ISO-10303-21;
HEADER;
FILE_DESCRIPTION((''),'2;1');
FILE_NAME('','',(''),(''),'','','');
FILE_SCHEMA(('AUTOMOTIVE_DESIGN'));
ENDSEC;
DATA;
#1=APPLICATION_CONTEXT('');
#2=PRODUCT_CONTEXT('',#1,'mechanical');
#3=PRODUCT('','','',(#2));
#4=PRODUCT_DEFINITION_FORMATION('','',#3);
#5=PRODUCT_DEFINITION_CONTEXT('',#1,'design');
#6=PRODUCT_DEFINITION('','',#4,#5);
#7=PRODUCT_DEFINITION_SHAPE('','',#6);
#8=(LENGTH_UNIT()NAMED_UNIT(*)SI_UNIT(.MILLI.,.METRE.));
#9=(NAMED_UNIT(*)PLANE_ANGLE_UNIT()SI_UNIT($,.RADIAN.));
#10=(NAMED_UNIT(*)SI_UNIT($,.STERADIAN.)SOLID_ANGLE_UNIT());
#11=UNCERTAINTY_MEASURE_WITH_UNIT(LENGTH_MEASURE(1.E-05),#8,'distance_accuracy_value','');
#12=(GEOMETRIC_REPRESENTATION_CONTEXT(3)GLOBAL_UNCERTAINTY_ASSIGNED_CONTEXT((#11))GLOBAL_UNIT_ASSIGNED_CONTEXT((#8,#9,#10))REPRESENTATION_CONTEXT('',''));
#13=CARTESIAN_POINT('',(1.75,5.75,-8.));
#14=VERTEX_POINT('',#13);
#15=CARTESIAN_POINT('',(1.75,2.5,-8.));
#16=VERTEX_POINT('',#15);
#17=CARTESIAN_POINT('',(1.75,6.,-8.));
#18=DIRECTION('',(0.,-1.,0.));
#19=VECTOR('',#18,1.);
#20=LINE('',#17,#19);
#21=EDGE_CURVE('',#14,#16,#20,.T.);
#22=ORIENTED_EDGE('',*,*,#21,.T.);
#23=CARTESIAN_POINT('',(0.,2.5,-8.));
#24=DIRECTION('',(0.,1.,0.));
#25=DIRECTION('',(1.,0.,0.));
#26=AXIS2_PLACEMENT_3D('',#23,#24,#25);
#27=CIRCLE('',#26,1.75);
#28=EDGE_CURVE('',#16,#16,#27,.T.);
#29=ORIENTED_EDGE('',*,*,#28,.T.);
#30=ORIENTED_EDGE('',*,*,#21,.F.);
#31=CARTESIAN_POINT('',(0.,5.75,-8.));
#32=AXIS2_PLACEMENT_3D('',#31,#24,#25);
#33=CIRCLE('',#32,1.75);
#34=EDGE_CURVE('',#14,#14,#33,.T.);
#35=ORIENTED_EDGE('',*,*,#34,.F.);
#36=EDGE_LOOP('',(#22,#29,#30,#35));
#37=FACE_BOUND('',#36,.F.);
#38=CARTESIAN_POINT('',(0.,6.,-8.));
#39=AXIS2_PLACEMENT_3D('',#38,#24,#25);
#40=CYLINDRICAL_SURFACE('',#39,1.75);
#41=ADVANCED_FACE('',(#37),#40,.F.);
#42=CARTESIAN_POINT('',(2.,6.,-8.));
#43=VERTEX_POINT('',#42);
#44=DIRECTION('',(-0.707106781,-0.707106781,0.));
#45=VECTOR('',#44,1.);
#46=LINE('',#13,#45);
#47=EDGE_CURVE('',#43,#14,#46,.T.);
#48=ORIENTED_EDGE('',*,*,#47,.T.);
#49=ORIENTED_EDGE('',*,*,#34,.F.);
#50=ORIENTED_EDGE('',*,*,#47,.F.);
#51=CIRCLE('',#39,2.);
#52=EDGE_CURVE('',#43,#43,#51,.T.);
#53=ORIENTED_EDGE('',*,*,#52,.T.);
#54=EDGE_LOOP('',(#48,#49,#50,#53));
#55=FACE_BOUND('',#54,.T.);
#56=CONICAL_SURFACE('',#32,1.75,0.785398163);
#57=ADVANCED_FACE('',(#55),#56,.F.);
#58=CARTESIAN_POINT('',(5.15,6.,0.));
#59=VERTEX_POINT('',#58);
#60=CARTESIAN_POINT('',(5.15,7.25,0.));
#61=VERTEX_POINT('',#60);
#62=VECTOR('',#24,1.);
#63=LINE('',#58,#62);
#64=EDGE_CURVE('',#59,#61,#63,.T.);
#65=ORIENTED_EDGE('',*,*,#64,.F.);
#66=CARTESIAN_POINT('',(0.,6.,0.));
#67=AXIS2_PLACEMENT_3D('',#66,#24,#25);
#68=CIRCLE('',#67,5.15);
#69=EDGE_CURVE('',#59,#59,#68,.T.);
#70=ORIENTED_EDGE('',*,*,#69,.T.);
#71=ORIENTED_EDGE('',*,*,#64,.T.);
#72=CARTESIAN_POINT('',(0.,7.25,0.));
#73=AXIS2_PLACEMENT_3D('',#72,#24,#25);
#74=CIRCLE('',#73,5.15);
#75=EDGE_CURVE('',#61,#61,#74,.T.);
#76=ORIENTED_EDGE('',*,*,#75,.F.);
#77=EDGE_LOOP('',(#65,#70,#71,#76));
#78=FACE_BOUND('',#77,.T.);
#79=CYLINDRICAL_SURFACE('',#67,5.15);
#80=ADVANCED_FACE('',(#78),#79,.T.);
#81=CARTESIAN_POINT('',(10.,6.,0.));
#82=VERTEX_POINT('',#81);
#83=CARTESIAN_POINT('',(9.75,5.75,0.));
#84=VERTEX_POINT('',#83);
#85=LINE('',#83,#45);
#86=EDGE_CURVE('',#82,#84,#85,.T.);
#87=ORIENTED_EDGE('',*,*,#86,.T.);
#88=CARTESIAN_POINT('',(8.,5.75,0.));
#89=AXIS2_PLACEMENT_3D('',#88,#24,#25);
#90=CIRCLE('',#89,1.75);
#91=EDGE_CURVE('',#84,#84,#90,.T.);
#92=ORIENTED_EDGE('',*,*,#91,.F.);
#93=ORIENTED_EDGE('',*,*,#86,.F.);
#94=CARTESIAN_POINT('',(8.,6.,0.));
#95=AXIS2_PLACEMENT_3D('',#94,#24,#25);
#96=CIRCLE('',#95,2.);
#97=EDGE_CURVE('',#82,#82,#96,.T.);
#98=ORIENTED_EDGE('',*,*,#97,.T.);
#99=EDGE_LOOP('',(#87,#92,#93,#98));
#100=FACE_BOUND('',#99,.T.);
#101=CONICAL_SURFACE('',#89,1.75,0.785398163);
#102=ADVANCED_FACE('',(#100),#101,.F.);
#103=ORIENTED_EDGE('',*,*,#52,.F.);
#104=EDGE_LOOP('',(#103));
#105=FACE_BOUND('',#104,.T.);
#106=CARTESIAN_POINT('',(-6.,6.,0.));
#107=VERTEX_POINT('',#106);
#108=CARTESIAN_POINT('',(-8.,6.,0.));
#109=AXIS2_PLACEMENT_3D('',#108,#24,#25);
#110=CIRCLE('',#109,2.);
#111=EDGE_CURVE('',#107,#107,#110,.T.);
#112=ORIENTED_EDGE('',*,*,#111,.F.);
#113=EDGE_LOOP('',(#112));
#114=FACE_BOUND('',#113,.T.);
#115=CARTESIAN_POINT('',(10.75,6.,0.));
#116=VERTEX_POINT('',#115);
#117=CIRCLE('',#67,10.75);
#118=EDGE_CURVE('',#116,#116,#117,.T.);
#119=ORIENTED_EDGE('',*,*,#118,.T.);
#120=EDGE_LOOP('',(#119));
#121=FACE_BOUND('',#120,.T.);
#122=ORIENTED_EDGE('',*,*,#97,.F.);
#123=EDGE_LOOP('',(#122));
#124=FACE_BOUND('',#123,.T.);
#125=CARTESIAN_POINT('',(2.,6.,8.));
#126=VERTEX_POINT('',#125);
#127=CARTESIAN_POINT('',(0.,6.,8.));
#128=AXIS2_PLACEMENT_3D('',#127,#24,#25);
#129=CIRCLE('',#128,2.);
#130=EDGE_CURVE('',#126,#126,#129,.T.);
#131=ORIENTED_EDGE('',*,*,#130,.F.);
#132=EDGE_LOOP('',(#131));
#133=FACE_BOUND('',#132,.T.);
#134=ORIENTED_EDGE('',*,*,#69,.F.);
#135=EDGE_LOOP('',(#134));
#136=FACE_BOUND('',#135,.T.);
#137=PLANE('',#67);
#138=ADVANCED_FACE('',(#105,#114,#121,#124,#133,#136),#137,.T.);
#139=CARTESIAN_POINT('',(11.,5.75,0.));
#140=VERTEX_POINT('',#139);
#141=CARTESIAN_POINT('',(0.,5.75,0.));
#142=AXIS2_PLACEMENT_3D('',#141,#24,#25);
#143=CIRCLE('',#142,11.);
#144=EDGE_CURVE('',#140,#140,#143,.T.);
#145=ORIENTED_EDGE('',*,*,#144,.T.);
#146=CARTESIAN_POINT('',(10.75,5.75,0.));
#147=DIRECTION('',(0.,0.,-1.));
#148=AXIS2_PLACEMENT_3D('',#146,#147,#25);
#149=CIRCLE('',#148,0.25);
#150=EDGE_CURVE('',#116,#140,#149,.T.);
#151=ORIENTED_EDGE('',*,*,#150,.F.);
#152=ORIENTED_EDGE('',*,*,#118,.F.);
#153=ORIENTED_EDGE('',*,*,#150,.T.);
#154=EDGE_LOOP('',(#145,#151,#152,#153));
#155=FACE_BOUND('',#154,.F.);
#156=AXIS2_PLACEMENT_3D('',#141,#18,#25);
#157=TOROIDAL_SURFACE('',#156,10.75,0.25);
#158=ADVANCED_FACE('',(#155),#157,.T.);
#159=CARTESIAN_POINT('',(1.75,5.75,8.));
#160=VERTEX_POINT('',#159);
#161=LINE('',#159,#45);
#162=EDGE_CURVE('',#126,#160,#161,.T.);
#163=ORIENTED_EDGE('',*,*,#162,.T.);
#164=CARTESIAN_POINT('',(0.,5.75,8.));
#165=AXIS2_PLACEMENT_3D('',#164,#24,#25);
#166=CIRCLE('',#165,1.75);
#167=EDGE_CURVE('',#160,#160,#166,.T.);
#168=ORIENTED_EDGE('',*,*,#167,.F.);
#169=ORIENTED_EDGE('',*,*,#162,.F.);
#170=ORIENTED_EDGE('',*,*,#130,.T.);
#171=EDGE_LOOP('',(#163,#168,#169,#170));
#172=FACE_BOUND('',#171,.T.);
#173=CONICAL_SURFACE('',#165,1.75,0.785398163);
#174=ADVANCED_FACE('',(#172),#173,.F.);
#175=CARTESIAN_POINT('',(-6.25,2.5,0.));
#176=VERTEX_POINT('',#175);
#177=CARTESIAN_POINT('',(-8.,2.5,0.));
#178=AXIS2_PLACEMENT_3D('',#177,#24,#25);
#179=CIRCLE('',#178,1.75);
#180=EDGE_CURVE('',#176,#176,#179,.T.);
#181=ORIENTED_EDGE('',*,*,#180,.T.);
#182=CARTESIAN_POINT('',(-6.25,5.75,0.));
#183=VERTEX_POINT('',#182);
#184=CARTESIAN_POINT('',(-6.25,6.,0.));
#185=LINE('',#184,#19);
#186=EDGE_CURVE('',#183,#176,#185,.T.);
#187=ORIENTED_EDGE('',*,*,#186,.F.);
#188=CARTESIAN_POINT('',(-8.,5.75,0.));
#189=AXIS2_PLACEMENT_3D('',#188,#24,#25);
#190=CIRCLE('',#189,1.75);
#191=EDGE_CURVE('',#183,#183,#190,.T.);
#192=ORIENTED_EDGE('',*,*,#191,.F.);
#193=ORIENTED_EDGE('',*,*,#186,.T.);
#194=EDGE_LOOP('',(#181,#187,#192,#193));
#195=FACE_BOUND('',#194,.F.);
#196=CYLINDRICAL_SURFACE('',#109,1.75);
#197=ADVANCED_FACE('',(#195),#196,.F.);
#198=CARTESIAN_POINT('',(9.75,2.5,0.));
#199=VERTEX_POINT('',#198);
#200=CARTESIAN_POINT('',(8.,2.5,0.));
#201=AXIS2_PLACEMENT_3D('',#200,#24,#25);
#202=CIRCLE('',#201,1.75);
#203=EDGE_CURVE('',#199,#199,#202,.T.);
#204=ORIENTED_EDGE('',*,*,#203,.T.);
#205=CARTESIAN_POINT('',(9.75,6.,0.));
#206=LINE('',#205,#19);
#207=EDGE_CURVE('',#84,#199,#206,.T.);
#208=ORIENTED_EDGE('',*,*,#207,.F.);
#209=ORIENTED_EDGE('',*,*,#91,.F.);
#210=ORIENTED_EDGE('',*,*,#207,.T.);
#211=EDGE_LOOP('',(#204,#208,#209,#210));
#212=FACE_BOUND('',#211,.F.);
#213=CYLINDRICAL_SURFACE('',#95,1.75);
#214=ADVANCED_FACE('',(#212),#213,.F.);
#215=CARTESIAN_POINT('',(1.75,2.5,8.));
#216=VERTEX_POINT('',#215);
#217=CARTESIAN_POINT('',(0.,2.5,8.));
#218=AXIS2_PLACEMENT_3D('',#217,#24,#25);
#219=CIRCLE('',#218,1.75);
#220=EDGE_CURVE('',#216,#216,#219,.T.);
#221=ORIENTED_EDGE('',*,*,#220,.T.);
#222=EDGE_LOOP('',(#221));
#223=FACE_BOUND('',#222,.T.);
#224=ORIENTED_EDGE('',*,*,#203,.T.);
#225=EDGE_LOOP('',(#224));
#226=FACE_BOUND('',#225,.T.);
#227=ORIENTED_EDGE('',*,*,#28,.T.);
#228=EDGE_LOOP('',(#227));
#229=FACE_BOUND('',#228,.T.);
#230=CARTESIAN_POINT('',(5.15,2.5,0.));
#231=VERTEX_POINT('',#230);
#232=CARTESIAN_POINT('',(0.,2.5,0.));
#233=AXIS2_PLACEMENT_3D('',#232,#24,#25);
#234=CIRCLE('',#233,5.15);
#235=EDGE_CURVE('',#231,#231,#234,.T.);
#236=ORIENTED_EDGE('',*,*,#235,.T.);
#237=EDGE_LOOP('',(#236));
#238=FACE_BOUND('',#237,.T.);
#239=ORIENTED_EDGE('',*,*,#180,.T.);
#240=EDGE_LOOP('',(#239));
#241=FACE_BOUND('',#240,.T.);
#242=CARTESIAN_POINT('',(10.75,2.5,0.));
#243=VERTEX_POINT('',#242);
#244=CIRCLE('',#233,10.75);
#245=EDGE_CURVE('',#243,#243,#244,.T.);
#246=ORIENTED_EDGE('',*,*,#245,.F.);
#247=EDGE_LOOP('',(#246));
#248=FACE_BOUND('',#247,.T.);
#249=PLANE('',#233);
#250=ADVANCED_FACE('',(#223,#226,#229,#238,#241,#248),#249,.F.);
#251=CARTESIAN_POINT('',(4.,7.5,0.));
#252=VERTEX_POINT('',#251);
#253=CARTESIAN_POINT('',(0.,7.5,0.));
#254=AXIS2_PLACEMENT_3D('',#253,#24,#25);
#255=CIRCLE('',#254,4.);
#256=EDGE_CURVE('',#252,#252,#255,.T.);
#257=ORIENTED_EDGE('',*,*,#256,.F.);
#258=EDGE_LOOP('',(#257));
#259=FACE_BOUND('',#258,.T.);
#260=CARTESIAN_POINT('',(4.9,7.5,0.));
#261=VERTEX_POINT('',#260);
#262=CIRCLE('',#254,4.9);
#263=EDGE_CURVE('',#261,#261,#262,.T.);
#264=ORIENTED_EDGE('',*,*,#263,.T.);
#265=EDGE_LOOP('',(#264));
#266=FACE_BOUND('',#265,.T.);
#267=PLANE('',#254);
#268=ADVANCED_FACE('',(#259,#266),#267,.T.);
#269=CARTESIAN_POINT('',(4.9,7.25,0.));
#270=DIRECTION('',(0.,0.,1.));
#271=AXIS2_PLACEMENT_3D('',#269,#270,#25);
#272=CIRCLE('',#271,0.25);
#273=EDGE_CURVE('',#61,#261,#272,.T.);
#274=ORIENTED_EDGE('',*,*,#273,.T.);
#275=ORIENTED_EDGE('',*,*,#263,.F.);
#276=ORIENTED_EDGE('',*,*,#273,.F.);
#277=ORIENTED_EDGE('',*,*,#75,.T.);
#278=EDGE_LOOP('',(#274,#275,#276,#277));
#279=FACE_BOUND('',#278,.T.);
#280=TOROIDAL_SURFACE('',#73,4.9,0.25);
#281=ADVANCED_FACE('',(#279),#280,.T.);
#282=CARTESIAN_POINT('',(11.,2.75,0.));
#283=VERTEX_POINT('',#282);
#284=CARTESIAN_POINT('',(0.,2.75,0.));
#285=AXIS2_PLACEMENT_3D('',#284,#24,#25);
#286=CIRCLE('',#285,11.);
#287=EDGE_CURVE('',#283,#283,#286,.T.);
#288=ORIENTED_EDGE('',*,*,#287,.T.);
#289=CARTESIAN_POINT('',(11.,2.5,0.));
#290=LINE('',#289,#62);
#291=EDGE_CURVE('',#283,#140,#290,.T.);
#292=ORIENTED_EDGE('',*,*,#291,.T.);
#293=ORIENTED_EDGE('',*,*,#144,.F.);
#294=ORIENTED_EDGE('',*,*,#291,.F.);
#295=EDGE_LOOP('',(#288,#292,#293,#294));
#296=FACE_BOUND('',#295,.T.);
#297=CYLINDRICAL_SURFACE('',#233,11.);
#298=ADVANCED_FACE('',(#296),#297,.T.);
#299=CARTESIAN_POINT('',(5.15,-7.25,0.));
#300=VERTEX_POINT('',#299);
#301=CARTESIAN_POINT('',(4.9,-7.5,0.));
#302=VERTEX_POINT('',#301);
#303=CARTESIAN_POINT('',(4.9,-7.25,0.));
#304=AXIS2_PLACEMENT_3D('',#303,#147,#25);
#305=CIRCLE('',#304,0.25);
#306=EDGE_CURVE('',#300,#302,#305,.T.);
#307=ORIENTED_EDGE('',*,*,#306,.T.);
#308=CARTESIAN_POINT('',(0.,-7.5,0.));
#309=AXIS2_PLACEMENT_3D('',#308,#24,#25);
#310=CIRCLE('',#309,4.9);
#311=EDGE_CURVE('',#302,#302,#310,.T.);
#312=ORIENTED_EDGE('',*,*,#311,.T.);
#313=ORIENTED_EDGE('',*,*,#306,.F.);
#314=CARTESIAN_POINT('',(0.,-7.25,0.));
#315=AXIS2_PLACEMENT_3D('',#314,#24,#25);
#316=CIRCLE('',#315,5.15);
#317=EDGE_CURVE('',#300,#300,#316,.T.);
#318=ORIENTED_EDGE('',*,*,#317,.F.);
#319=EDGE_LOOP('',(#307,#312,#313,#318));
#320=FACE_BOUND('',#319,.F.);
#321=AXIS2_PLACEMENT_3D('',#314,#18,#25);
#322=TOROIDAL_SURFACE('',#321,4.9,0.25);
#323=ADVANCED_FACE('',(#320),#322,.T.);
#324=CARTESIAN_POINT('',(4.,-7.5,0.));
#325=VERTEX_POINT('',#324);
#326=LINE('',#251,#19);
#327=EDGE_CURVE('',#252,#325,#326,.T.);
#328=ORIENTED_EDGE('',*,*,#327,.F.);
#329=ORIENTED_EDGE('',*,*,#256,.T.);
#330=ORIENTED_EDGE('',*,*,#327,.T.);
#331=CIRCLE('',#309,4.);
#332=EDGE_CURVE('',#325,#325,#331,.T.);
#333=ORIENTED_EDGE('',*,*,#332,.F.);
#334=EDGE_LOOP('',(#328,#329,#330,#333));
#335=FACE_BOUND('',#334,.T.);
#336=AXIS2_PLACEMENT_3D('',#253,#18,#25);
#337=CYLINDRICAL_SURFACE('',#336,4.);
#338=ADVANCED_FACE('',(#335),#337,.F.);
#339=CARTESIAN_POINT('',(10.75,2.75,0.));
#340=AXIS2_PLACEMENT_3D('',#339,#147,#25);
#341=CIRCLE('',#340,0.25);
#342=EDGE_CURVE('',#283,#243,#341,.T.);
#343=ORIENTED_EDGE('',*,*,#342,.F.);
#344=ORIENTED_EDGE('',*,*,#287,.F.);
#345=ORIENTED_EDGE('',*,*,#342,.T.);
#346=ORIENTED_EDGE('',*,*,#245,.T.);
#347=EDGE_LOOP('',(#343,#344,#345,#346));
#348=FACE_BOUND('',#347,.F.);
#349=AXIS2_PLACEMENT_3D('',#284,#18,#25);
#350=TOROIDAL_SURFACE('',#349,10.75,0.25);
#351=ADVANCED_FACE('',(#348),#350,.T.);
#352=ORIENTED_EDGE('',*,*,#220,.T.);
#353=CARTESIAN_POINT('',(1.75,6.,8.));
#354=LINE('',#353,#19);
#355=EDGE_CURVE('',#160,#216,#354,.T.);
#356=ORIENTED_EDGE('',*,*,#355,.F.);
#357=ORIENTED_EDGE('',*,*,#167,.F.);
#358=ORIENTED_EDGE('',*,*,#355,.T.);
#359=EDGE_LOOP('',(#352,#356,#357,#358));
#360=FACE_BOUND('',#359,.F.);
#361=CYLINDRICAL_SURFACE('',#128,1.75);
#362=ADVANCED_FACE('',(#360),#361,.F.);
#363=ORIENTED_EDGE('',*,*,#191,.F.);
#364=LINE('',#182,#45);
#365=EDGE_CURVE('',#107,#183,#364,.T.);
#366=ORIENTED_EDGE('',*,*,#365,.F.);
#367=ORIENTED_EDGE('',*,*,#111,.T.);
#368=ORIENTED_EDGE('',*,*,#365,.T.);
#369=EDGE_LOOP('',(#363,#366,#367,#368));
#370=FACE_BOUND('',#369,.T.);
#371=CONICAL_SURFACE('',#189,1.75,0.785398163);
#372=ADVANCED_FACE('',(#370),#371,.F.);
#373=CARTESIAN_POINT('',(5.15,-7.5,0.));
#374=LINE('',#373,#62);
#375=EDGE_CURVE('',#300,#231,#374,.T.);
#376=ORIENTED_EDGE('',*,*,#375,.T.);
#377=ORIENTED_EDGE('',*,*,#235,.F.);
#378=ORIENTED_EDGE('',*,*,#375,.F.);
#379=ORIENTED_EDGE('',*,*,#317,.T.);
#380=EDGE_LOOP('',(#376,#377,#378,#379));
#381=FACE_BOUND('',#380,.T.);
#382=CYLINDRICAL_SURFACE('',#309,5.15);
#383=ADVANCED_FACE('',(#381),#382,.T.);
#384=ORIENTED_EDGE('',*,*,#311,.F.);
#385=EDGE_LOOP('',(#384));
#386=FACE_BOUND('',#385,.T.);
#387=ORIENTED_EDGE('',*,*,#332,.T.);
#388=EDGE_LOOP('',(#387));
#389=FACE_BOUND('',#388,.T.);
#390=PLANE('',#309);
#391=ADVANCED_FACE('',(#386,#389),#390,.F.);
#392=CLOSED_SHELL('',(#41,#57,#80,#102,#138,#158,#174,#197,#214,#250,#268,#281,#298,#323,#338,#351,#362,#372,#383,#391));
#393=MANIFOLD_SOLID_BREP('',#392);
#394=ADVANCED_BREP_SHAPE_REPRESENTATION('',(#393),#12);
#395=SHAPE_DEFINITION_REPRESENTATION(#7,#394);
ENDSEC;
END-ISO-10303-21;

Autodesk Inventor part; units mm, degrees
ref_plane "YZ Plane" through (0, 0, 0) normal (1, 0, 0) x (0, 1, 0)
ref_plane "XZ Plane" through (0, 0, 0) normal (0, 1, 0) x (-1, 0, 0)
ref_plane "XY Plane" through (0, 0, 0) normal (0, 0, 1) x (1, 0, 0)
sketch "Sketch1" plane through (0, 0, 0) normal (0, 0, 1) x (1, 0, 0)
  line L0 (4, 7.5) -> (4, -7.5)
  line L1 (4, -7.5) -> (5.15, -7.5)
  line L2 (5.15, -7.5) -> (5.15, 2.5)
  line L3 (5.15, 2.5) -> (11, 2.5)
  line L4 (11, 2.5) -> (11, 6)
  line L5 (11, 6) -> (5.15, 6)
  line L6 (5.15, 6) -> (5.15, 7.5)
  line L7 (5.15, 7.5) -> (4, 7.5)
  line L8 (0, 0) -> (22.0974, 0) construction
  line L9 (0, -10.5) -> (0, 10.5) projected
  dimension "d1" = 3.5
  dimension "d2" = 1.5
  dimension "d3" = 15
  dimension "d4" = 11
  dimension "d5" = 4
  dimension "d6" = 5.15
revolve "Revolution1" add sketch "Sketch1" angle 360 about axis through (0, -10, 0) along (0, 1, 0)
sketch "Sketch2" plane through (0, 6, 0) normal (0, 1, 0) x (1, 0, 0)
  circle A0 centre (0, 0) radius 8 construction
  line L0 (8, 0) -> (-8, 0) construction
  line L1 (0, -8) -> (0, 8) construction
  circle A1 centre (-8, 0) radius 1.75
  circle A2 centre (0, 8) radius 1.75
  circle A3 centre (8, 0) radius 1.75
  circle A4 centre (0, -8) radius 1.75
  dimension "d8" = 16
  dimension "d9" = 3.5
extrude "Extrusion1" cut sketch "Sketch2" against normal through all
chamfer "Chamfer1" distance 0.25 angle 45 4 edges at (-1.75, 6, 8) (6.25, 6, 0) (-1.75, 6, -8) (-9.75, 6, 0)
fillet "Fillet1" radius 0.25 4 edges at (-11, 6, 0) (-11, 2.5, 0) (-5.15, 7.5, 0) (-5.15, -7.5, 0)
thread "Thread1" size "TR8x1.5" class "7H" standard "ISO Metric Trapezoidal Threads" full length
properties part number "TR8 Leadscrew Nut" material "Brass, Soft Yellow"
